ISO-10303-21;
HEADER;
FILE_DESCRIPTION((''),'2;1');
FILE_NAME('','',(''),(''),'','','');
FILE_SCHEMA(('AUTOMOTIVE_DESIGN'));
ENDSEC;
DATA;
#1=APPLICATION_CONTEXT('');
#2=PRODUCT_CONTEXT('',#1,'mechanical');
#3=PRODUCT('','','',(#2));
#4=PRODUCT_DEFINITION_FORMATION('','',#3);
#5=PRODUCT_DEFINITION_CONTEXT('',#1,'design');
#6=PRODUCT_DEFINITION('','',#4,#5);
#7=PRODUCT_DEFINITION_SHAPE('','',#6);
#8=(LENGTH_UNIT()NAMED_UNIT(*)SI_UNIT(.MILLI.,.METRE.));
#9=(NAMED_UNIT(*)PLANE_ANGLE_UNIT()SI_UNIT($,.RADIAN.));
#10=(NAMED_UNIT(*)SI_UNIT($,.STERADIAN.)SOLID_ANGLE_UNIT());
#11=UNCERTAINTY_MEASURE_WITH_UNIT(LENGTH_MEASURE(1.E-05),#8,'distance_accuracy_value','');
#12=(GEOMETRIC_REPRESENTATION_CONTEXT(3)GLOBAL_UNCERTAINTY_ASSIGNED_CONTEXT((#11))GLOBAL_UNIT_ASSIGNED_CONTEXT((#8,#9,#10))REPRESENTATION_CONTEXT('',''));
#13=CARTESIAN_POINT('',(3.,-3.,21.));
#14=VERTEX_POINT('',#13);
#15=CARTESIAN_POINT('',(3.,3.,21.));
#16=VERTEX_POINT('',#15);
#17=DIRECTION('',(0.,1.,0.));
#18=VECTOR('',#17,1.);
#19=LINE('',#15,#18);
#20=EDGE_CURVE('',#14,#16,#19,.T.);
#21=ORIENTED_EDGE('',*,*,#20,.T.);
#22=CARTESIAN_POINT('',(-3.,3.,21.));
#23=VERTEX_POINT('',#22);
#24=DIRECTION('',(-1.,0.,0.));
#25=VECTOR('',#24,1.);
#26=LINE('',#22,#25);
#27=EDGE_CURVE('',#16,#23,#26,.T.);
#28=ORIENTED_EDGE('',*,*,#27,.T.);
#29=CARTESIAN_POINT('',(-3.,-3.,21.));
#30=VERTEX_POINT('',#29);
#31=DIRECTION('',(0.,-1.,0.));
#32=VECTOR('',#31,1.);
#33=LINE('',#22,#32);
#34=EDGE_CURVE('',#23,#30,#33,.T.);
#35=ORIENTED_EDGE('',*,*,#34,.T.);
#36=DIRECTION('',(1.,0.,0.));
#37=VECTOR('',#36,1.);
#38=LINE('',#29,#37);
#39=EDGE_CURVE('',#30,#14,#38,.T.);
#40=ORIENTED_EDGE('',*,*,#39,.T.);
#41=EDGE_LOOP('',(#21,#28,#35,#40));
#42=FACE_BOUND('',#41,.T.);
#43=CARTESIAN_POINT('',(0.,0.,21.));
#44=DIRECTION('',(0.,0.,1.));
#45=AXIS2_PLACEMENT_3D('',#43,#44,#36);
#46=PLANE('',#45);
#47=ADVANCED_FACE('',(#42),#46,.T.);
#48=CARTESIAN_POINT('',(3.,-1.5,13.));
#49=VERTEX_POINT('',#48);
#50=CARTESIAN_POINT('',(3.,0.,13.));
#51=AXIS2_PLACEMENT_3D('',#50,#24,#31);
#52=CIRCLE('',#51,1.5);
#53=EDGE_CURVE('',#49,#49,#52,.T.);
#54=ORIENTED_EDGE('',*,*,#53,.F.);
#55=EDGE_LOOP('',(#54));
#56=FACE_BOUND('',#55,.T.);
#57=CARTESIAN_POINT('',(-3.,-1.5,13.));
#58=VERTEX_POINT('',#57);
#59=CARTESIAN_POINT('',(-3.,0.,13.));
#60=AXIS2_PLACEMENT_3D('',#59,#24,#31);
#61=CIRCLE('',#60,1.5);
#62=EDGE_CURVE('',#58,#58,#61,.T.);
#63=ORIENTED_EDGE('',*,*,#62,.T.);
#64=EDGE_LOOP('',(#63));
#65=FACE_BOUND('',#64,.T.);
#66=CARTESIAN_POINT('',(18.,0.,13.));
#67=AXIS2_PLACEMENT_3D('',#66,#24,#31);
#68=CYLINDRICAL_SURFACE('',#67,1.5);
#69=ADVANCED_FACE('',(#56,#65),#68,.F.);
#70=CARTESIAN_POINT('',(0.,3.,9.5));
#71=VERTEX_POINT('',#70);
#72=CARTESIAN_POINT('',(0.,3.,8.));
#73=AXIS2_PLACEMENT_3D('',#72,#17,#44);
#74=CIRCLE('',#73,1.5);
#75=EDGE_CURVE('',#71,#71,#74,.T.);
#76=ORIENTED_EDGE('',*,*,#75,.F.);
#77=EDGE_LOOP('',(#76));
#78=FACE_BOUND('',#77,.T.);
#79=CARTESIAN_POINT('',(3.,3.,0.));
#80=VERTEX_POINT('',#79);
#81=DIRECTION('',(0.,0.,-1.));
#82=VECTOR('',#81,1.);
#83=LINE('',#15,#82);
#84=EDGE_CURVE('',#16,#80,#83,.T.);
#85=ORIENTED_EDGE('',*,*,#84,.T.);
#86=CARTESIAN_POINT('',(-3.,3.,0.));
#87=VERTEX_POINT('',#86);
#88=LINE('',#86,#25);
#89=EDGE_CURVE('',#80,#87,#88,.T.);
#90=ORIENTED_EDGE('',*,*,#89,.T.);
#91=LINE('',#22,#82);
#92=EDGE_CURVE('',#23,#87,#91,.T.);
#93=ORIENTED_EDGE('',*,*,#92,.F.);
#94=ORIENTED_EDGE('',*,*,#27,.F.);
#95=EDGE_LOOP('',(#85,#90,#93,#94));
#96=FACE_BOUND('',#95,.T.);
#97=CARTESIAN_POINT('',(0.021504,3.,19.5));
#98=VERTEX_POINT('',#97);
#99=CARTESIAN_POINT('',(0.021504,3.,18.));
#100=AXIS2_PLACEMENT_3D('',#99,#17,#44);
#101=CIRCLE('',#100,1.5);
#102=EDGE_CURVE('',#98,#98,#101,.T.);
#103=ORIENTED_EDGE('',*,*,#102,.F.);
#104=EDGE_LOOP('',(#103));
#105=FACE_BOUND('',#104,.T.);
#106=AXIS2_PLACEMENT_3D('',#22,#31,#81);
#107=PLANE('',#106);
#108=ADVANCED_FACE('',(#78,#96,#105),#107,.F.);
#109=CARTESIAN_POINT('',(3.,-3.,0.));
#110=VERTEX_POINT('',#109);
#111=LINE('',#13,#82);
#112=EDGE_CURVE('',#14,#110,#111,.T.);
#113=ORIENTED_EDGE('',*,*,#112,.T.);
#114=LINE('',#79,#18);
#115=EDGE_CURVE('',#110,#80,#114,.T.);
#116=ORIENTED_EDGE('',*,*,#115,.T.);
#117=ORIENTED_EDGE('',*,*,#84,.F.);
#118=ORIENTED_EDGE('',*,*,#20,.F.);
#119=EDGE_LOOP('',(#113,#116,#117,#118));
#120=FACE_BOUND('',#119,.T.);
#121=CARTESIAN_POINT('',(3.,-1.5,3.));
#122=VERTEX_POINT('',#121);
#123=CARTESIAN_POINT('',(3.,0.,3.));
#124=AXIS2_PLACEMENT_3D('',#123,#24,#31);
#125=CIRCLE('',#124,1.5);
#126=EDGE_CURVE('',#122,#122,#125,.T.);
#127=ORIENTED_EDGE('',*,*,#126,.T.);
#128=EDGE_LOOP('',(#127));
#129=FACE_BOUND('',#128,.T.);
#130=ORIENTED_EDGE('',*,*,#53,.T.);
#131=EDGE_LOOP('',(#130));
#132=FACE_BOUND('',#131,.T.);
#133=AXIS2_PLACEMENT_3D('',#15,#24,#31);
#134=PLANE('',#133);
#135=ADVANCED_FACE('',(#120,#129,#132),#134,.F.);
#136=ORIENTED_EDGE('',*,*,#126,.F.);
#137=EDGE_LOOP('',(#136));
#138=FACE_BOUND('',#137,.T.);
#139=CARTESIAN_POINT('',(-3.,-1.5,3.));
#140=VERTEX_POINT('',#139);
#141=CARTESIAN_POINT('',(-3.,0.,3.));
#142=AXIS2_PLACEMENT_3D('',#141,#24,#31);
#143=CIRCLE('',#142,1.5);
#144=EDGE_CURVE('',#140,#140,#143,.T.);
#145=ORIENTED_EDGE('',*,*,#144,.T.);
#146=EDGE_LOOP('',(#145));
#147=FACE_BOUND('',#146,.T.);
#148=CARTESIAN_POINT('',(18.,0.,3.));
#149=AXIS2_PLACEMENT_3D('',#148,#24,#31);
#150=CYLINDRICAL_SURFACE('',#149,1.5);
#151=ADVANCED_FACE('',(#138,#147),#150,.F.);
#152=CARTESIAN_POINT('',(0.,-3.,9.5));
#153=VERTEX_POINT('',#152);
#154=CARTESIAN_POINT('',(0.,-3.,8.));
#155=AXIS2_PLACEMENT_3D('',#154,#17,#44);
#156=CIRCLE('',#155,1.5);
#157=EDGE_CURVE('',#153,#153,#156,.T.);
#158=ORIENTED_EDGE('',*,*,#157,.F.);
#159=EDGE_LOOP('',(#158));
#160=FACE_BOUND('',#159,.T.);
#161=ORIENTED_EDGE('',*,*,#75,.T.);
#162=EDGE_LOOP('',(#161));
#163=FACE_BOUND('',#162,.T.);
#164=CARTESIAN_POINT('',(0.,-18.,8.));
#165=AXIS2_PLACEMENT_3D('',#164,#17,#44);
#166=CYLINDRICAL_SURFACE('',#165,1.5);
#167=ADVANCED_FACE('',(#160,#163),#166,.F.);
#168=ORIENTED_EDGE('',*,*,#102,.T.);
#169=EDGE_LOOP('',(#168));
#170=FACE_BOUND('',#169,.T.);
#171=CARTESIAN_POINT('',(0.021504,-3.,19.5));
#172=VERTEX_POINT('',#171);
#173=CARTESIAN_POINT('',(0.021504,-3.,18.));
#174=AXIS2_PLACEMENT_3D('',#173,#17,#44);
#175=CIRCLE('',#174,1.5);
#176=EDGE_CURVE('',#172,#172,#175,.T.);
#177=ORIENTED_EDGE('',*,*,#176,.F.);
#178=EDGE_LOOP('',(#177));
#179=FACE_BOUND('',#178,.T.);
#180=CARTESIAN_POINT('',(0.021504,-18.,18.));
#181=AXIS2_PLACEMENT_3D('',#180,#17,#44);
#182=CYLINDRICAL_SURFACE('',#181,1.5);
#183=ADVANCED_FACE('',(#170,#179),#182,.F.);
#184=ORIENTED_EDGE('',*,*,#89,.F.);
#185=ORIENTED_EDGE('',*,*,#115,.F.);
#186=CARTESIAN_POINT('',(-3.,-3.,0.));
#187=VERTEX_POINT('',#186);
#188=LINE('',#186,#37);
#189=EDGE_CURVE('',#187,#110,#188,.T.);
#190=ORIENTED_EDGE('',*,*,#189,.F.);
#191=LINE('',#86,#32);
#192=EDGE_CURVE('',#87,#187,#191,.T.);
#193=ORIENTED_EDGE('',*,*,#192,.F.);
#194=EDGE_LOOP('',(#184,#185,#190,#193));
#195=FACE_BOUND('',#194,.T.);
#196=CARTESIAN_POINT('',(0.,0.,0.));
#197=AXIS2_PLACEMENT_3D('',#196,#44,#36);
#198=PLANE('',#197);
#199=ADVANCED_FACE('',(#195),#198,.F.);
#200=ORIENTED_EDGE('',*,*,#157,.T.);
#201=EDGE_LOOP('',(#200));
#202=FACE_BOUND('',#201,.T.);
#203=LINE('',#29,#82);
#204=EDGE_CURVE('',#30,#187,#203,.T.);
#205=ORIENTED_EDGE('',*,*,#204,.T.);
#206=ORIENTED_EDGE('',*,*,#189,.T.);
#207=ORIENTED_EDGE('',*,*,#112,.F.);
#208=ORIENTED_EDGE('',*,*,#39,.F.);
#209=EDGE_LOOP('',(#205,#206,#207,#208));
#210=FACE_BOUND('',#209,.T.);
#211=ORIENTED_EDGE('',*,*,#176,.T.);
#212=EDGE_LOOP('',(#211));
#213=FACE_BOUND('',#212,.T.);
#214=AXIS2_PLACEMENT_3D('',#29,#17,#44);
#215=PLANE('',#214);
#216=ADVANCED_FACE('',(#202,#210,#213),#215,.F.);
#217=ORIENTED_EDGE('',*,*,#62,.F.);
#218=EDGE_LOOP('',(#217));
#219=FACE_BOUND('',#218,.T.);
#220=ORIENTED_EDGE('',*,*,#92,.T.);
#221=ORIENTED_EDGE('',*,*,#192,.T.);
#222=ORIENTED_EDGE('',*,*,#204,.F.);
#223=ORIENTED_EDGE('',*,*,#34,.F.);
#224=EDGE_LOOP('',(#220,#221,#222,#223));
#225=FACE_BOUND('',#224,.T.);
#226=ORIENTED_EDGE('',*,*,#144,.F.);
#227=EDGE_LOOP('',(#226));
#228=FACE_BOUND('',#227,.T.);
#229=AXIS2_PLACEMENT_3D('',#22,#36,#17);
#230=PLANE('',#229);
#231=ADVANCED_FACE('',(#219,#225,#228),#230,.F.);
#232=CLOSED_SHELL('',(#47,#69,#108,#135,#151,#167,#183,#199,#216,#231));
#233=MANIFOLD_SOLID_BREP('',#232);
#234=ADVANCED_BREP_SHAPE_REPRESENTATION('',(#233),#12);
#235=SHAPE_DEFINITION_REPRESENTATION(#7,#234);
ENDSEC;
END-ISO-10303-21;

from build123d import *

# Parameters (mm, degrees)
SKETCH_1_W          = 6
SKETCH_1_H          = 6
EXTRUDE_1_DEPTH     = 21
SKETCH_2_R          = 1.5
CUT_EXTRUDE_1_DEPTH = 21
SKETCH_3_R          = 1.5
CUT_EXTRUDE_2_DEPTH = 21


with BuildPart() as part:
    # 草图1 → 凸台-拉伸1 (new body)
    with BuildSketch(Plane.XY):
        Rectangle(SKETCH_1_W, SKETCH_1_H)
    extrude(amount=EXTRUDE_1_DEPTH)

    # 草图2 → 切除-拉伸1 (cut)
    with BuildSketch(Plane.ZY.offset(3)):
        with Locations((3, 0)):
            Circle(SKETCH_2_R)
        with Locations((13, 0)):
            Circle(SKETCH_2_R)
    extrude(amount=-CUT_EXTRUDE_1_DEPTH, mode=Mode.SUBTRACT)

    # 草图3 → 切除-拉伸2 (cut)
    with BuildSketch(Plane(origin=(0, 3, 0), x_dir=(1, 0, 0), z_dir=(0, 1, 0))):
        with Locations((0.02150406, -18)):
            Circle(SKETCH_3_R)
        with Locations((0, -8)):
            Circle(SKETCH_3_R)
    extrude(amount=-CUT_EXTRUDE_2_DEPTH, mode=Mode.SUBTRACT)


solid = part.part
